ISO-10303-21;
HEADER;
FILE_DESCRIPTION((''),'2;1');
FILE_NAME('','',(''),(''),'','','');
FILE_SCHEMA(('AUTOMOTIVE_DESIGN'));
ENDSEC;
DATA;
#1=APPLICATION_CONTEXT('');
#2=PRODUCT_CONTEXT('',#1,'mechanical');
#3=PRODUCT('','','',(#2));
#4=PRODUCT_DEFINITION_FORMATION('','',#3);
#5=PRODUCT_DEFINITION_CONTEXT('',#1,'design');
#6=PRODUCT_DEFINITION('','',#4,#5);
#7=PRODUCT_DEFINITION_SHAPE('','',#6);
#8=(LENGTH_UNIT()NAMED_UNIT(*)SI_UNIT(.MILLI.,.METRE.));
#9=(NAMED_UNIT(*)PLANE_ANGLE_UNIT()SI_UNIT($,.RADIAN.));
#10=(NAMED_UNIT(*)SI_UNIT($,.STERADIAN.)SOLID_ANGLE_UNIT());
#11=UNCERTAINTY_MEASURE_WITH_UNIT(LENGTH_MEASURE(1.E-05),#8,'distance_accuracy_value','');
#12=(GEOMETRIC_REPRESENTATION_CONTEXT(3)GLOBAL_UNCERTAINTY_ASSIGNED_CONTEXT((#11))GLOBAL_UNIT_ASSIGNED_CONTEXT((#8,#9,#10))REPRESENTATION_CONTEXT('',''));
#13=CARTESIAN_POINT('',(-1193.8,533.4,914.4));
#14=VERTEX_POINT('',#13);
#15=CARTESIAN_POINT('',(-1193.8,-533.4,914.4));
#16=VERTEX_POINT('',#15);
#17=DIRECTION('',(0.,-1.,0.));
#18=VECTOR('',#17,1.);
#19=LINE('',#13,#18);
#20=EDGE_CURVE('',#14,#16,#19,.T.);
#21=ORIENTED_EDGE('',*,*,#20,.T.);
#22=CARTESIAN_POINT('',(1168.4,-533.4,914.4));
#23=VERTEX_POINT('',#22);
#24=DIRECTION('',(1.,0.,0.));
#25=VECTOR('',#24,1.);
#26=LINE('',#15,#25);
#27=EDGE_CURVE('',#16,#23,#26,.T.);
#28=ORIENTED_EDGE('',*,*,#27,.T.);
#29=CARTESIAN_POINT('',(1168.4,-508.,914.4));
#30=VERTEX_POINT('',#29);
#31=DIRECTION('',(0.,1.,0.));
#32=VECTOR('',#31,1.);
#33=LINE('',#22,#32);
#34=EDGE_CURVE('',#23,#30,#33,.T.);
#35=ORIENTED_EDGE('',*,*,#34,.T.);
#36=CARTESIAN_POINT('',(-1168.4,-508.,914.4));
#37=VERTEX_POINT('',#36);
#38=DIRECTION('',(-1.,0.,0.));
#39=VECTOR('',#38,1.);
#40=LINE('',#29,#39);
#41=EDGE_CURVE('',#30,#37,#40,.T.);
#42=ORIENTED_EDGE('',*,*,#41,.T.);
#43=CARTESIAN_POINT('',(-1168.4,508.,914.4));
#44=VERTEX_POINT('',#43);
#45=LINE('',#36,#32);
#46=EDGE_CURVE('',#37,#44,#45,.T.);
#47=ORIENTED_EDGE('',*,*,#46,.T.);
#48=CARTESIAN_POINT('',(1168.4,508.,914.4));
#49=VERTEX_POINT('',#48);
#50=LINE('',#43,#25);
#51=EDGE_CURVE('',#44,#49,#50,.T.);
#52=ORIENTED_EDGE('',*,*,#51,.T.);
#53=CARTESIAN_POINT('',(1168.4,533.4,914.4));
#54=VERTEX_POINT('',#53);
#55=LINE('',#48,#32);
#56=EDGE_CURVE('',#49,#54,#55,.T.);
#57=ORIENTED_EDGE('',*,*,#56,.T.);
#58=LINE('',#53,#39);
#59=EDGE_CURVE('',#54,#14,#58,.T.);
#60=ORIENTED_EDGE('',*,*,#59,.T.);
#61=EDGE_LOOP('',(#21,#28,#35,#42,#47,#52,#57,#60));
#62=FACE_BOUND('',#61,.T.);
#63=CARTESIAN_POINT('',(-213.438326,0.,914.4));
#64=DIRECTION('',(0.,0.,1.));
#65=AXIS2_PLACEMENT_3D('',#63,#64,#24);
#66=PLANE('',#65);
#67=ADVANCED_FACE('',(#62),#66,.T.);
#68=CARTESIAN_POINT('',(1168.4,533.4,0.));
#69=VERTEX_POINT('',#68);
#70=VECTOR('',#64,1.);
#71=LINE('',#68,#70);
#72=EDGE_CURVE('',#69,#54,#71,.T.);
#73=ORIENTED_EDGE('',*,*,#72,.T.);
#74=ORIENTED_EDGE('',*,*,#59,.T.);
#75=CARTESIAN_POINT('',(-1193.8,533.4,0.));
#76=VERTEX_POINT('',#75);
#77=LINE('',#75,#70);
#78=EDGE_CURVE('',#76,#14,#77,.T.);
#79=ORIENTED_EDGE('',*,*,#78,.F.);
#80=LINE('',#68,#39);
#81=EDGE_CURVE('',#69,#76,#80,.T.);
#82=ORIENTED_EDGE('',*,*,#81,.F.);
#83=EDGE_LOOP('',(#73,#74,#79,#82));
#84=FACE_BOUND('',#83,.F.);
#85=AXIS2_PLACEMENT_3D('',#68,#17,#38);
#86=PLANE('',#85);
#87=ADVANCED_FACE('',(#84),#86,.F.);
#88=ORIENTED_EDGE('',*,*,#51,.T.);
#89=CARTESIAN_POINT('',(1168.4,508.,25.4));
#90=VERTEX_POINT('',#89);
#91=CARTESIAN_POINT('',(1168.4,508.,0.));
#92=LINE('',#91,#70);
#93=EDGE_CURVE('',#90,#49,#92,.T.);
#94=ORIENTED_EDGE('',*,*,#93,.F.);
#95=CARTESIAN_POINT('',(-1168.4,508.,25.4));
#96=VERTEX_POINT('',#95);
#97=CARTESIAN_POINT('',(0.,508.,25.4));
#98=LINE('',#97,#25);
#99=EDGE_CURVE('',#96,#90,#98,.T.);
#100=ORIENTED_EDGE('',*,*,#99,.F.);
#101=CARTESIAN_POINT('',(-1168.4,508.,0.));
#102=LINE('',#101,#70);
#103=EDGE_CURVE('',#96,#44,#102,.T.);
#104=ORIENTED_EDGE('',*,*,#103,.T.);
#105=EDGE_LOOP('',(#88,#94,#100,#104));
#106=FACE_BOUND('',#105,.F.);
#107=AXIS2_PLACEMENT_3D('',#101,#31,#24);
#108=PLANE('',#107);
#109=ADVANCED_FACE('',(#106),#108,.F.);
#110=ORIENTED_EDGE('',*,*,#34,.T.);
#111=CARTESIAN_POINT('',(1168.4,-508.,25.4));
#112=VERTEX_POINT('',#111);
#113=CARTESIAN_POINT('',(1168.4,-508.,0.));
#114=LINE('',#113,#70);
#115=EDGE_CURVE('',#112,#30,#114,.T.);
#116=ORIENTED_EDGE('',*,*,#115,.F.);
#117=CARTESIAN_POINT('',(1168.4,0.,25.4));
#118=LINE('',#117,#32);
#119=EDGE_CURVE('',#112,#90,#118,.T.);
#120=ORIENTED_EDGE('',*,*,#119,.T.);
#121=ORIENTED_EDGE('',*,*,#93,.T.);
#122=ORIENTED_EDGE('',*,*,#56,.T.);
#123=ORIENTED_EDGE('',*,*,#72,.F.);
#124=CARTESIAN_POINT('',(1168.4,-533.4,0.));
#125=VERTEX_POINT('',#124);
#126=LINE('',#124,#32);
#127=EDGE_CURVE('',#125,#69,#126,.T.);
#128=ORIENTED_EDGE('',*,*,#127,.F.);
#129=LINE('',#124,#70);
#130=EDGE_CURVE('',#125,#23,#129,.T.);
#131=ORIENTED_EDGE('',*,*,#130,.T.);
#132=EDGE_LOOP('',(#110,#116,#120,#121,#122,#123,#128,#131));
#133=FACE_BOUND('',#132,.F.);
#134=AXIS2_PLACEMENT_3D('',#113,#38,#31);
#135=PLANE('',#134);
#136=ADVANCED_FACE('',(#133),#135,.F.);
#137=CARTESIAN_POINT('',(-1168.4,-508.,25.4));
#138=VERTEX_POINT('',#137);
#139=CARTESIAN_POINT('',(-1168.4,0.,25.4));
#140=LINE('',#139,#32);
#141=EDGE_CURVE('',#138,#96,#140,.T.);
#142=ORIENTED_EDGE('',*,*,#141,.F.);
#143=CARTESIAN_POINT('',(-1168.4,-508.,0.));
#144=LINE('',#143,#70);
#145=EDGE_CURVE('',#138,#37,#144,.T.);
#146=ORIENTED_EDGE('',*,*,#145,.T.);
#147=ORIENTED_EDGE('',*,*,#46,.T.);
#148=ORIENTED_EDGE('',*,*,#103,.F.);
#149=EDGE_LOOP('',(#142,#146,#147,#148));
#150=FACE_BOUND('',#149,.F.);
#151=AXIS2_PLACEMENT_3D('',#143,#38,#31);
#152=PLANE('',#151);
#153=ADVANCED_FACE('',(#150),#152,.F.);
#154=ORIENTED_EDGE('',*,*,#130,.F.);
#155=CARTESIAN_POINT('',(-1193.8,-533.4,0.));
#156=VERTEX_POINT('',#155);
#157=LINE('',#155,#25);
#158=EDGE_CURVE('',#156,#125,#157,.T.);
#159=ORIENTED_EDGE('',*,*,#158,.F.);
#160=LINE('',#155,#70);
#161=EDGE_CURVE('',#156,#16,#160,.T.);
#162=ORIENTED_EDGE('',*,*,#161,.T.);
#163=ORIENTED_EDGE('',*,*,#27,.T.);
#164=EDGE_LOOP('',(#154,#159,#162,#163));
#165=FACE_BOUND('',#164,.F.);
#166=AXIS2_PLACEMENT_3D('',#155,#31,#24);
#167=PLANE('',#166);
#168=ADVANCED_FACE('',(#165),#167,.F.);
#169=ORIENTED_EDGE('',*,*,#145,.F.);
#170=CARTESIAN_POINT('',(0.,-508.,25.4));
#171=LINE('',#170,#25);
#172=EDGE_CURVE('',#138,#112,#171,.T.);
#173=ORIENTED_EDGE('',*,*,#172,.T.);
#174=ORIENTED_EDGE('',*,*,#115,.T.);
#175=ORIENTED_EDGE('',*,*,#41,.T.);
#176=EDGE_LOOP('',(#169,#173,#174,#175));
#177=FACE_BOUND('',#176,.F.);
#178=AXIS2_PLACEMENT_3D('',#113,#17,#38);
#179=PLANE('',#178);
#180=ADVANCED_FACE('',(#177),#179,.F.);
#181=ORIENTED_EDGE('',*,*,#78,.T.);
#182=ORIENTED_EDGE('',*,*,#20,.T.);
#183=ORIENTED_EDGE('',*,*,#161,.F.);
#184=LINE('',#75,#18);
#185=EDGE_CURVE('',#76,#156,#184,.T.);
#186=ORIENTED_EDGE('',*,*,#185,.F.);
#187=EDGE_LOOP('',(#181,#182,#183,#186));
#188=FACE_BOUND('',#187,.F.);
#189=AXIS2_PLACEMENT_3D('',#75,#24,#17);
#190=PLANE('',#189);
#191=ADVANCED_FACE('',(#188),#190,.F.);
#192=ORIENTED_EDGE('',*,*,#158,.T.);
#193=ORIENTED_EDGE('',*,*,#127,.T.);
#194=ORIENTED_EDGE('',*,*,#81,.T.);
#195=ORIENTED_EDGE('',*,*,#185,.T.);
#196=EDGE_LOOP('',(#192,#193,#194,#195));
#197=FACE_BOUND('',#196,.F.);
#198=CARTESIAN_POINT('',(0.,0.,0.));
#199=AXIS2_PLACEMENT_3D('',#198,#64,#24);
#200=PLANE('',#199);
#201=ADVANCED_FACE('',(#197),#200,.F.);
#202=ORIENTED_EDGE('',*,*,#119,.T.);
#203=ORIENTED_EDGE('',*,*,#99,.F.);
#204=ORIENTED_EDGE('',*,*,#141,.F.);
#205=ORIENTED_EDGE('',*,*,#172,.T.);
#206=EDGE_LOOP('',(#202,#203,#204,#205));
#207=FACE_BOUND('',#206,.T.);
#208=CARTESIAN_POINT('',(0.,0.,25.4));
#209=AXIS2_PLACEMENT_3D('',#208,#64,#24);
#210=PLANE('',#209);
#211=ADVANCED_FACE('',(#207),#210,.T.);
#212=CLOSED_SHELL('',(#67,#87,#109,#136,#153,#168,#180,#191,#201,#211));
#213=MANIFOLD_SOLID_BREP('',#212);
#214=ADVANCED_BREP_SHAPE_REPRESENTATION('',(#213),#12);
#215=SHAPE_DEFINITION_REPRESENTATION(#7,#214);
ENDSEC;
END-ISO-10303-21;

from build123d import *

# Parameters (mm, degrees)
F1_DEPTH = 914.4
F0_W     = 2336.8
F0_H     = 1016
F2_DEPTH = 25.4


with BuildPart() as f1:
    # F0 (on Top) → F1 (new body)
    with BuildSketch(Plane.XY):
        Polygon((-1168.4, 508), (1168.4, 508), (1168.4, 533.4), (-1193.8, 533.4), (-1193.8, -533.4), (1168.4, -533.4), (1168.4, -508), (-1168.4, -508), align=None)
    extrude(amount=F1_DEPTH)

    # F0 (on Top) → F2 (join)
    with BuildSketch(Plane.XY):
        Rectangle(F0_W, F0_H)
    extrude(amount=F2_DEPTH)


solid = f1.part
